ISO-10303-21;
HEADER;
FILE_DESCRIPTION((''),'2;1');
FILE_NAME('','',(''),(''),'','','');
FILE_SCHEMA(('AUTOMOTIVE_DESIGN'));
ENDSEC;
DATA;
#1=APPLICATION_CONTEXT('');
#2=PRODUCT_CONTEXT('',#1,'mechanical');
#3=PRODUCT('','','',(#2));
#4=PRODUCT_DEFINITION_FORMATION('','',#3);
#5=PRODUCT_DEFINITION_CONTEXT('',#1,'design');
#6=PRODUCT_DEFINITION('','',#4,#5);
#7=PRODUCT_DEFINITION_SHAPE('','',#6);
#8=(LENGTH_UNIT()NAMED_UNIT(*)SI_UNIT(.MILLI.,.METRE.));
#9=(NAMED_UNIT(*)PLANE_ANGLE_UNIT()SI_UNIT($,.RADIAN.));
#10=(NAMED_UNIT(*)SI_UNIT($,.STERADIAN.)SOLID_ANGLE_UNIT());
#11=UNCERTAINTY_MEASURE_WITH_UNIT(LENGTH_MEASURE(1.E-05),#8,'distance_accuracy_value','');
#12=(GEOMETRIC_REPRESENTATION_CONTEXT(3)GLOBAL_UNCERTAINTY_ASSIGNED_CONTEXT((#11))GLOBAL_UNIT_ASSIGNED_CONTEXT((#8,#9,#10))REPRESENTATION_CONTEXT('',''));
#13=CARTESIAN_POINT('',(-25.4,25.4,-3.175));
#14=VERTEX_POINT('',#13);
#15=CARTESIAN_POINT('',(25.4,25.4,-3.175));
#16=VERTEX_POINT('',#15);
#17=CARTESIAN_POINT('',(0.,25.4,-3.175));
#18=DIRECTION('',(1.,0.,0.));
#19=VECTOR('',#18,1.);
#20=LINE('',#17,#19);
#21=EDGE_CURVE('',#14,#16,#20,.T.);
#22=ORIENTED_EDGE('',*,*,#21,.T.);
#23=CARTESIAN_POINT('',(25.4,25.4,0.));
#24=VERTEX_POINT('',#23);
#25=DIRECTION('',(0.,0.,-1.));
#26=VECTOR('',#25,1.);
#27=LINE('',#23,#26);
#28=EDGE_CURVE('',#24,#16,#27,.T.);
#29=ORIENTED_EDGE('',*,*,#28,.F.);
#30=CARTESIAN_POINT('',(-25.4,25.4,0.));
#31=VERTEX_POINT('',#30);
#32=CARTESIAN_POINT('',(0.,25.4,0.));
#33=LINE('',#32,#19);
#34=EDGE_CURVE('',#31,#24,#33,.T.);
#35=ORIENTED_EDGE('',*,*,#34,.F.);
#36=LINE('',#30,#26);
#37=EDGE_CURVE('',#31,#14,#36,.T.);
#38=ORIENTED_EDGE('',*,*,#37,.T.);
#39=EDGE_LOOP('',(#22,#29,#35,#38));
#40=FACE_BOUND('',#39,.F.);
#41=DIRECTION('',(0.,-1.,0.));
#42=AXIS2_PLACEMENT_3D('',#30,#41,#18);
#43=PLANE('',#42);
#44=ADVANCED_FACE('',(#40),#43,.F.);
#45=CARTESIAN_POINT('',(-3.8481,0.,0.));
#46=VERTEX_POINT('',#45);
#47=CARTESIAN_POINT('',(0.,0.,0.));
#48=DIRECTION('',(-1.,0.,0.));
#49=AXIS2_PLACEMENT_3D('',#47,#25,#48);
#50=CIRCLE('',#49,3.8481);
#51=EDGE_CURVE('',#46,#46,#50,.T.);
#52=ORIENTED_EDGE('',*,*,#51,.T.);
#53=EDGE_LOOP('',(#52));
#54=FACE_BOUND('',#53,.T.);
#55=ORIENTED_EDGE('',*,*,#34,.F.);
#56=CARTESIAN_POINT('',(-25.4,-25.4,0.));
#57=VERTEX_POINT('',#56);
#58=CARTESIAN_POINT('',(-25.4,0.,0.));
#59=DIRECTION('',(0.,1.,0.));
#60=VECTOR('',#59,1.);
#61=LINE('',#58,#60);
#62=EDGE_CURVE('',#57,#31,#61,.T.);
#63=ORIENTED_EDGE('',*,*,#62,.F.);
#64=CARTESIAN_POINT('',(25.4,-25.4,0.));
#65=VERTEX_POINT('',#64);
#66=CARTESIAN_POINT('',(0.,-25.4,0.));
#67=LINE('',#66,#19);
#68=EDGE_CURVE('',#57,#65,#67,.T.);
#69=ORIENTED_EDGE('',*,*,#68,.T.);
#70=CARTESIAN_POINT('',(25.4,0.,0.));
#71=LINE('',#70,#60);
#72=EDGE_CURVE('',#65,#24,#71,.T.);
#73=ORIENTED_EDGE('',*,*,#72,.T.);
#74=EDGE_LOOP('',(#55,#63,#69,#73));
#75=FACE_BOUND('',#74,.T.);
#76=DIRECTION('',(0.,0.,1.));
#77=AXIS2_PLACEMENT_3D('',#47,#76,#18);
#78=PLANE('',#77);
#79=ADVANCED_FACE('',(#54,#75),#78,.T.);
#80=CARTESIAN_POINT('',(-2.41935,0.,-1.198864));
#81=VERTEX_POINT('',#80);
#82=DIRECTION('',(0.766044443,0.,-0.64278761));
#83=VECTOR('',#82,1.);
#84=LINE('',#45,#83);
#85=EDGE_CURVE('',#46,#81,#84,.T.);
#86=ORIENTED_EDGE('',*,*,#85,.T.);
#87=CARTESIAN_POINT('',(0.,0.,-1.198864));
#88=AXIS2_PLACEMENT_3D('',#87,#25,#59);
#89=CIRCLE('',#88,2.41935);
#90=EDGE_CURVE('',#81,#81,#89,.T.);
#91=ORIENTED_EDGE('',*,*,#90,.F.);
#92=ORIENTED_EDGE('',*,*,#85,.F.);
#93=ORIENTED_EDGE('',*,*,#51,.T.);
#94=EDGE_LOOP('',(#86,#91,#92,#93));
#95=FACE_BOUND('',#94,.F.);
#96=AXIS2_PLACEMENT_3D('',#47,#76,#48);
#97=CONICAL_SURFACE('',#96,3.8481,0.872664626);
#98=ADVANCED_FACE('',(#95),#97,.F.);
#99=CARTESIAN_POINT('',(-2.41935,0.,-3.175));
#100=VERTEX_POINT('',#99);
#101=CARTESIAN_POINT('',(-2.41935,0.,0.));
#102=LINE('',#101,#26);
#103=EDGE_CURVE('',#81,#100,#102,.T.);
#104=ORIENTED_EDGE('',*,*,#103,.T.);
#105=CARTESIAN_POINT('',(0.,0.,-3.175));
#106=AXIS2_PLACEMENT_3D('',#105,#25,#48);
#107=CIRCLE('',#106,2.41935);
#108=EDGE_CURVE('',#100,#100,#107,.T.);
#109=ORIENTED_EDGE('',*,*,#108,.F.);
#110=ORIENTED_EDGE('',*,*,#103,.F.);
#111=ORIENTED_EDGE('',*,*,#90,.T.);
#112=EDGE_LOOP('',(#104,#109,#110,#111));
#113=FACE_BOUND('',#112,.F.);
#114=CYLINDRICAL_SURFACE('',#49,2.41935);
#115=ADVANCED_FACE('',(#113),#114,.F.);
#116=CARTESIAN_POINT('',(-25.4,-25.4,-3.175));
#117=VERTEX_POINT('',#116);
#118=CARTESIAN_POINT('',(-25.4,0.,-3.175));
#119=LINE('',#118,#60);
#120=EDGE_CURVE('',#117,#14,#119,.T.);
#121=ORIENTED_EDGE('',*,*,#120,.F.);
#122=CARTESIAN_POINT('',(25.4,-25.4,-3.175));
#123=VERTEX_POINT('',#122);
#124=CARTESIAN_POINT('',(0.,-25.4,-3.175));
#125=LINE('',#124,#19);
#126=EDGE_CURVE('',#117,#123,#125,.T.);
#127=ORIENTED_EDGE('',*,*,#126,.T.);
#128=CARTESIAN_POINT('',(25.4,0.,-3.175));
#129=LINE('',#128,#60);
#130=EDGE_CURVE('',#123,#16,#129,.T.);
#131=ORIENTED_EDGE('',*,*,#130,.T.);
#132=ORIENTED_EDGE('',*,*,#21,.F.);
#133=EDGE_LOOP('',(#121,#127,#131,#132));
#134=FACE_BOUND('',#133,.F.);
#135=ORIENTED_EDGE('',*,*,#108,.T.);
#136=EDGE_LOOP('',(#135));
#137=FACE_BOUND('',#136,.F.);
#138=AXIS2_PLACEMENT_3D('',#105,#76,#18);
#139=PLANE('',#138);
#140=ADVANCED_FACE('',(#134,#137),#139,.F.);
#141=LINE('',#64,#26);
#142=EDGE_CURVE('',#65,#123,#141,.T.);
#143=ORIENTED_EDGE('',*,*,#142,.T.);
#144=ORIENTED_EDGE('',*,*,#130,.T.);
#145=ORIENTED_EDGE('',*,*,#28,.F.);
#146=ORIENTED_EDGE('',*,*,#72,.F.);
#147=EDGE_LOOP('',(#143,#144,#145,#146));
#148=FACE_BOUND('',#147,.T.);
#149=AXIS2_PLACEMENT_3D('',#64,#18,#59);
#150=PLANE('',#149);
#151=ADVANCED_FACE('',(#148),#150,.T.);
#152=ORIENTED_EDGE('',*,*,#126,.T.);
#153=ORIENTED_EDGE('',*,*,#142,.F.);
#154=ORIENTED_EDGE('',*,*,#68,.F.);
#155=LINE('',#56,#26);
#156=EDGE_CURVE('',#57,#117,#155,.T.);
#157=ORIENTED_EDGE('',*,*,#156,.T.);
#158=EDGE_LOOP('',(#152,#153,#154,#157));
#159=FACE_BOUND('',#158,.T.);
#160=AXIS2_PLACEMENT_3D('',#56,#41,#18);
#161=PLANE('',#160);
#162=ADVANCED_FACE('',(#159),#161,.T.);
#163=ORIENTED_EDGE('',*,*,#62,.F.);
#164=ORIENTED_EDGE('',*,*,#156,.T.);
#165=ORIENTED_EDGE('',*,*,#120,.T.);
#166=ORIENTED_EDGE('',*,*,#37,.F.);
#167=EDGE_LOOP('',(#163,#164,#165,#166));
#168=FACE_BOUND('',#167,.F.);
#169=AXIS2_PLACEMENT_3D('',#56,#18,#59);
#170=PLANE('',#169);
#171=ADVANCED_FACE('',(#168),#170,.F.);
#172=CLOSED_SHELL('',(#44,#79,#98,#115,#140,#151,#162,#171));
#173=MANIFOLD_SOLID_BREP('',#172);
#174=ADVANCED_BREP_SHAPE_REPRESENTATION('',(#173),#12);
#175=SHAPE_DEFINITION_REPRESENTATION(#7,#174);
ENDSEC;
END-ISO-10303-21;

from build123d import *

# Parameters (mm, degrees)
F0_W           = 50.8
F0_H           = 50.8
F1_DEPTH       = 3.175
F2_D           = 4.8387
F2_CSINK_D     = 7.6962
F2_CSINK_ANGLE = 100


with BuildPart() as f1:
    # F0 (on Top) → F1 (new body)
    with BuildSketch(Plane.XY):
        Rectangle(F0_W, F0_H)
    extrude(amount=-F1_DEPTH)

    # F2 (through all)
    with Locations(Plane.XY):
        with Locations((0, 0)):
            CounterSinkHole(F2_D / 2, F2_CSINK_D / 2, counter_sink_angle=F2_CSINK_ANGLE)


solid = f1.part
